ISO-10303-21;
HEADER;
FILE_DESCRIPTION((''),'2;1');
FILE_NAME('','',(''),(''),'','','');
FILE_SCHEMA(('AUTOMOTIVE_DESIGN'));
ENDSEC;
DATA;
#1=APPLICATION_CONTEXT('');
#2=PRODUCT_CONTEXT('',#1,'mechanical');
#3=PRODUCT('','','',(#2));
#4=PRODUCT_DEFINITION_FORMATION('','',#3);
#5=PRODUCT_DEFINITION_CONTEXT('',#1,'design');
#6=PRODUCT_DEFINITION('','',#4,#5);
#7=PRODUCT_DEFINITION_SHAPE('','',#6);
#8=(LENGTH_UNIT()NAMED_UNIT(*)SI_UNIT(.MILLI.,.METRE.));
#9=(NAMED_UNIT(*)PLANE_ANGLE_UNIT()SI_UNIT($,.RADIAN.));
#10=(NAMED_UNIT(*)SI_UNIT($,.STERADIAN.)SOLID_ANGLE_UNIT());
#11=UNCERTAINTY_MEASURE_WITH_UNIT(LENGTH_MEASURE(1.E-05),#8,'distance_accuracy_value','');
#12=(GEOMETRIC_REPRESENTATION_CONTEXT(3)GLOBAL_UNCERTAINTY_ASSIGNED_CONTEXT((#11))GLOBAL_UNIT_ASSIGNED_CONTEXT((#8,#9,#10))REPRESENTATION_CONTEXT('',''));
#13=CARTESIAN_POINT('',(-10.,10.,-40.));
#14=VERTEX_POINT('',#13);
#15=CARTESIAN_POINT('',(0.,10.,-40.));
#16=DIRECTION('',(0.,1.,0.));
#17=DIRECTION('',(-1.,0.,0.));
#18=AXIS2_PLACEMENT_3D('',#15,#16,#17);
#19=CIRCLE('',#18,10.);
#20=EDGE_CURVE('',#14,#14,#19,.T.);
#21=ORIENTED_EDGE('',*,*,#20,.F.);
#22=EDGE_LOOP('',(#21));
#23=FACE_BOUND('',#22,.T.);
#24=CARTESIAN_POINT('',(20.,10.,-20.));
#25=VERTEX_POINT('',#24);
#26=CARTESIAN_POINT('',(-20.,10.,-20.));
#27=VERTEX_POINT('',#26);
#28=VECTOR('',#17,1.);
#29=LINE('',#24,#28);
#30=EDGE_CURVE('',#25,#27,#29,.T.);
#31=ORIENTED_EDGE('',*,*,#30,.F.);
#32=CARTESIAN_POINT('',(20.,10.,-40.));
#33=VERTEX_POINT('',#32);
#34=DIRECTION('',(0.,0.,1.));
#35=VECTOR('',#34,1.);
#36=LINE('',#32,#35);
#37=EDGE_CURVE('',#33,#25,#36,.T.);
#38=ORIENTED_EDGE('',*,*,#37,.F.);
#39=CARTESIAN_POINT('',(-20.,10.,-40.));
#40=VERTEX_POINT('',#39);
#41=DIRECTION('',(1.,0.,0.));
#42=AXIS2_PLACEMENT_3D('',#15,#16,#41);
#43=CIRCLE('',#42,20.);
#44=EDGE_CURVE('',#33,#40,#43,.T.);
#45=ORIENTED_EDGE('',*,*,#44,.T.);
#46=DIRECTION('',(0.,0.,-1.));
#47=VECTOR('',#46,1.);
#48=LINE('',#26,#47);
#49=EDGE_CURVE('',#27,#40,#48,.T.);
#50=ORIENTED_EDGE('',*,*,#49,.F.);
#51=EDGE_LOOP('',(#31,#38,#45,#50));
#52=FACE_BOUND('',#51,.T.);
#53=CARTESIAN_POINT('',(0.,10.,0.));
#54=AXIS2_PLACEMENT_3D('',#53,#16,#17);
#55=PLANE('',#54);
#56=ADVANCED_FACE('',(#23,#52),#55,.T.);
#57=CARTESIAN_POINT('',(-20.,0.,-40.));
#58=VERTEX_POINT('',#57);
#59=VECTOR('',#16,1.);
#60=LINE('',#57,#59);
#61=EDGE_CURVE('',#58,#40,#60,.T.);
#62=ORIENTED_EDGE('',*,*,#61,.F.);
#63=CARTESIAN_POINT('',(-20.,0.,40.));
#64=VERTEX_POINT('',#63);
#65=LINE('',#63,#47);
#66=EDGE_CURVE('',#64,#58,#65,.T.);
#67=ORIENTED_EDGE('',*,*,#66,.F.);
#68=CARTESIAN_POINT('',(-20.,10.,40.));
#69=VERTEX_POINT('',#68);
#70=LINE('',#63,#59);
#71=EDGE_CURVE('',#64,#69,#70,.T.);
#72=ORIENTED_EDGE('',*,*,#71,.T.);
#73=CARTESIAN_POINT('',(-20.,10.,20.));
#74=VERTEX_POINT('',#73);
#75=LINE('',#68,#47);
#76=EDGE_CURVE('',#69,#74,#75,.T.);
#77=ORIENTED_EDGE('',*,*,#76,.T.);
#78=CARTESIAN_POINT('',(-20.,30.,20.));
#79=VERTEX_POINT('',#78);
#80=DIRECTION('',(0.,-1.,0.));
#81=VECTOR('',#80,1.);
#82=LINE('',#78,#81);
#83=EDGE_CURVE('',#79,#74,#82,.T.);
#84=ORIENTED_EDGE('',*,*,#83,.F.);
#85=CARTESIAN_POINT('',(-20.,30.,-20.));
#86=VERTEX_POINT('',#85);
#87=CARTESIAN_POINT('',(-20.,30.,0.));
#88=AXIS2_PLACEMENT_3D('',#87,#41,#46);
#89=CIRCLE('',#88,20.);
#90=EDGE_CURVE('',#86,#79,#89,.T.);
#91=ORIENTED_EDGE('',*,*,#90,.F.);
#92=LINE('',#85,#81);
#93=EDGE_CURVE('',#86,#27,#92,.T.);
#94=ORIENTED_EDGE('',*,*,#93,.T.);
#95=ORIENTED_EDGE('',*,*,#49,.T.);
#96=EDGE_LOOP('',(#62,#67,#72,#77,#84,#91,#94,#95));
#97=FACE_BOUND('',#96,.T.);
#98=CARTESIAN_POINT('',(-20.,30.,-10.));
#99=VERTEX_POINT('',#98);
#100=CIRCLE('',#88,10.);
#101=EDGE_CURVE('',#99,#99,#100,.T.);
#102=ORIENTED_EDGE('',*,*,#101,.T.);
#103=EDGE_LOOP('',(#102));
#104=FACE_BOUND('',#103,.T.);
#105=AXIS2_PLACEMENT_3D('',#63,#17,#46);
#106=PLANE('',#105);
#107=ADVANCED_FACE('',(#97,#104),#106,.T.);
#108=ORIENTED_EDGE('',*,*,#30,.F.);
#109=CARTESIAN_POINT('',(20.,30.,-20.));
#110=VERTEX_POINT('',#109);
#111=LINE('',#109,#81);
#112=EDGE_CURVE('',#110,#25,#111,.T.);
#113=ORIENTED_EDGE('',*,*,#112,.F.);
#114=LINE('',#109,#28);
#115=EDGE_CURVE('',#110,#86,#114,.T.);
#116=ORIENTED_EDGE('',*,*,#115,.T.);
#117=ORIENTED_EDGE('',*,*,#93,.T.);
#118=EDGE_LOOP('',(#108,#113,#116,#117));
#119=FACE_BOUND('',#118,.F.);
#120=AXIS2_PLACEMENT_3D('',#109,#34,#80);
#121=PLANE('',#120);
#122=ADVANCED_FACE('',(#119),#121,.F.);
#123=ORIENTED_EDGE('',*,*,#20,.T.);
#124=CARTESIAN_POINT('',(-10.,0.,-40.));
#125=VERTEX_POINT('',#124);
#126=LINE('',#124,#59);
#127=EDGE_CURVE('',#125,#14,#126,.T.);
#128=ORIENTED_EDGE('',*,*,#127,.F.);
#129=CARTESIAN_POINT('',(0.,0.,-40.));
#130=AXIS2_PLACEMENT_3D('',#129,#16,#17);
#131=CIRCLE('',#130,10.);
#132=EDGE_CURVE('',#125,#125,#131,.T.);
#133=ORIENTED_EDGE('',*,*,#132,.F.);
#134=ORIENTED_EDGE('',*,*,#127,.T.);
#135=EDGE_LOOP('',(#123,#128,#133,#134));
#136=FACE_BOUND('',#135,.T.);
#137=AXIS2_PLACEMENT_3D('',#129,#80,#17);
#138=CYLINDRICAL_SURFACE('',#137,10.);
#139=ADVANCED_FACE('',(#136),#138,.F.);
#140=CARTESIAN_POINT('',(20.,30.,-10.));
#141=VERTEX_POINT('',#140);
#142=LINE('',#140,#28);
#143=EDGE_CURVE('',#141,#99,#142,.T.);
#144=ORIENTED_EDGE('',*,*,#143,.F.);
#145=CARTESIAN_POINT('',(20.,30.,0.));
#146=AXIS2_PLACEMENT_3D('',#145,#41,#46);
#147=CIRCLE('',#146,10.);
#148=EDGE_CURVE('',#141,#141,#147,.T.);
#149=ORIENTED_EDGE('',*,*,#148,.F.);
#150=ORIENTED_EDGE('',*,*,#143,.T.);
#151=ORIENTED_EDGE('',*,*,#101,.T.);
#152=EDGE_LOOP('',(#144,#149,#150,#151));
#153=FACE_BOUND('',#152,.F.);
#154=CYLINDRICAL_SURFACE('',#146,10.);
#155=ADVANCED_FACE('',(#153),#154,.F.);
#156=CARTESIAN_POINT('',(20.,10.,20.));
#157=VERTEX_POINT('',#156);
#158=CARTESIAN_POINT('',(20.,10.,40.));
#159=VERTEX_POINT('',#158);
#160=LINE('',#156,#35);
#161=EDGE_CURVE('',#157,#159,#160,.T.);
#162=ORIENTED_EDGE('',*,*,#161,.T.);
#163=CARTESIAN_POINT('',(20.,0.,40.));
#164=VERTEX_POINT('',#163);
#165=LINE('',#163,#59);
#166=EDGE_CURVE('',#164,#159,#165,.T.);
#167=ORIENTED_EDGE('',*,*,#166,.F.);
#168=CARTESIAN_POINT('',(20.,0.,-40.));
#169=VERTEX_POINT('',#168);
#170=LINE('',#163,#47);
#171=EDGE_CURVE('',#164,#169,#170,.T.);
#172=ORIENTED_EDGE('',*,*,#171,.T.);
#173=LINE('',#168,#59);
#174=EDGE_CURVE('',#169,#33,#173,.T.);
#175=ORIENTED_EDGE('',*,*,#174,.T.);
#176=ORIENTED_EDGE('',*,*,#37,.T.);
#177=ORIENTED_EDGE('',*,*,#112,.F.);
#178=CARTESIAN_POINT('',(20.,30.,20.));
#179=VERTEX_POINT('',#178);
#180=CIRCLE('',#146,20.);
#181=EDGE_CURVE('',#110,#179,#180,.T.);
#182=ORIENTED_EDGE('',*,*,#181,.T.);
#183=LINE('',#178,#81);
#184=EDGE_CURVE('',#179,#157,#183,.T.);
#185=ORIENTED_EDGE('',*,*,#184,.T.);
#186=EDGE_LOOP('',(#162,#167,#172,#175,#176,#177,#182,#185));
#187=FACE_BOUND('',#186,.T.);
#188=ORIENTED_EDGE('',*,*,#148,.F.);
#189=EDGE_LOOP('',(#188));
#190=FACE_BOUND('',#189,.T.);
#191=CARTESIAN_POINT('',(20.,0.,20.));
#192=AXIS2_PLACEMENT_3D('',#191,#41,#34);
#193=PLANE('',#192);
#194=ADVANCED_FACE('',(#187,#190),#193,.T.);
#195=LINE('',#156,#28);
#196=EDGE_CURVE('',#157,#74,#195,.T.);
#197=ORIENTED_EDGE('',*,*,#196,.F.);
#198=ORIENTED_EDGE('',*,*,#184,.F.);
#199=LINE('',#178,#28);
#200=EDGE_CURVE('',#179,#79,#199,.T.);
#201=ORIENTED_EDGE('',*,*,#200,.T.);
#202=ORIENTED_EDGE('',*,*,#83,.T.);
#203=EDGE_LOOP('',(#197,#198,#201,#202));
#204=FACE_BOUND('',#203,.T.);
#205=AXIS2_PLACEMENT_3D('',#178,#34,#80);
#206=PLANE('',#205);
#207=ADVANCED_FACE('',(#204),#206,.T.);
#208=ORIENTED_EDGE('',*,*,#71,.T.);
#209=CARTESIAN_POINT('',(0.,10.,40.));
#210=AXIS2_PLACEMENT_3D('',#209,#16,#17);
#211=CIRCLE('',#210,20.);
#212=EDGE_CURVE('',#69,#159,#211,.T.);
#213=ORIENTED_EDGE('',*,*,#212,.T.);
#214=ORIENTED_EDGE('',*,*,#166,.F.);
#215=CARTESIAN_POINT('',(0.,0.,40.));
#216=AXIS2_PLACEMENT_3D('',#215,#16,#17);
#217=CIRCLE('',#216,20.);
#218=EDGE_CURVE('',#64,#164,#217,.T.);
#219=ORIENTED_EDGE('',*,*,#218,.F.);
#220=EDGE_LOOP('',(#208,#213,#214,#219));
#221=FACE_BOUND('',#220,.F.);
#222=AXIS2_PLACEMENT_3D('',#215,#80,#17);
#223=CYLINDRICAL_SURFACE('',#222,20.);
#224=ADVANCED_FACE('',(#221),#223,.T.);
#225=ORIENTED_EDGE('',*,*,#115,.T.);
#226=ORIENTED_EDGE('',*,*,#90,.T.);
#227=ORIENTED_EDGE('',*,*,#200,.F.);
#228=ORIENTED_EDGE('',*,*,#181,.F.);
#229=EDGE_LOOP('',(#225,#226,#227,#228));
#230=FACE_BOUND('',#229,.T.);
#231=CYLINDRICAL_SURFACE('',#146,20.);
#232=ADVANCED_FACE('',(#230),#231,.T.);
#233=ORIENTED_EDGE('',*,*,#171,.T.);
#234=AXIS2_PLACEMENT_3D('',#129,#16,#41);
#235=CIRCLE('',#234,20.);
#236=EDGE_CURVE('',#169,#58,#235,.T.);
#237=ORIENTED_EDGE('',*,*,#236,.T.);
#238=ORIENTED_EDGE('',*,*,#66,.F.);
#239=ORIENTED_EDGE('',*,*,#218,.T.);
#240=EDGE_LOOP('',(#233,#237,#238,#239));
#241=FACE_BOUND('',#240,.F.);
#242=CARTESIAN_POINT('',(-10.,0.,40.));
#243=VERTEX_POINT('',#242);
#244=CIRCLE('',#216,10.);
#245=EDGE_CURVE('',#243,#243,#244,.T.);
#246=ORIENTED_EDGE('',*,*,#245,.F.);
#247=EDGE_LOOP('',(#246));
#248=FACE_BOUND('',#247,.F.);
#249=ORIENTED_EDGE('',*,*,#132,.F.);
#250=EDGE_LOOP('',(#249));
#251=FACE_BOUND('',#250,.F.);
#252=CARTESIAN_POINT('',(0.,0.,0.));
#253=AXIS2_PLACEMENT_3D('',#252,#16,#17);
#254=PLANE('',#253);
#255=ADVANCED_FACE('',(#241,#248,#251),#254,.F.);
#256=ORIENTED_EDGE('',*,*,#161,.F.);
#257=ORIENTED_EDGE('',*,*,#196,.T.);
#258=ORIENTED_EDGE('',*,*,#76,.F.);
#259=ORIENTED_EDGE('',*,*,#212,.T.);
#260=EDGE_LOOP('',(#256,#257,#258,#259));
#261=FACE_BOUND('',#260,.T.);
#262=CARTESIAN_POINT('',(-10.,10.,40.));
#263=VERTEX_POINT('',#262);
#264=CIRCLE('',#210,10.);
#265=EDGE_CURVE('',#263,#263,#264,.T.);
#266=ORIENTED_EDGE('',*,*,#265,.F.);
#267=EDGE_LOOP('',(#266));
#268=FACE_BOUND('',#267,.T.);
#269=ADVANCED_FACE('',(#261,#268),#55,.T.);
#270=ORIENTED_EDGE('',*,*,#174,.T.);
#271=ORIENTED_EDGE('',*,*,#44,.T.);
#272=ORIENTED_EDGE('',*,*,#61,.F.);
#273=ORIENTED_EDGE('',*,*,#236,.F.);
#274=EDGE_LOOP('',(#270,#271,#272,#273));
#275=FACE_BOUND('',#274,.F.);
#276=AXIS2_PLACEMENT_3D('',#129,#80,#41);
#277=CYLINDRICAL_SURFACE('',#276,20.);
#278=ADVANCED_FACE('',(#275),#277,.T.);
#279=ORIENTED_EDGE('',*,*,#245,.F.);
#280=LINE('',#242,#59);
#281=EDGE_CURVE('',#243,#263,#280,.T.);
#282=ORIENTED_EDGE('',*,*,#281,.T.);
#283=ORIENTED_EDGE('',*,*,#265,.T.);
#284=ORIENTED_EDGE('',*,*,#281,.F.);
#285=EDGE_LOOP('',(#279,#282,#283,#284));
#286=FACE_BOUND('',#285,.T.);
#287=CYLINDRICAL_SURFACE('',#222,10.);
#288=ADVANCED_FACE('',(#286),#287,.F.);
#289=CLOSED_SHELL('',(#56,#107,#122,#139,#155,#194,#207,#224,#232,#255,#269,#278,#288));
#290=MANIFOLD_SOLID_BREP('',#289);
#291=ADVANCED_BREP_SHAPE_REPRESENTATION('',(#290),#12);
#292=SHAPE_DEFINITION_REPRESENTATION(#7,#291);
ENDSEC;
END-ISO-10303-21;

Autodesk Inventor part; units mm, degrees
ref_plane "YZ Plane" through (0, 0, 0) normal (1, 0, 0) x (0, 1, 0)
ref_plane "XZ Plane" through (0, 0, 0) normal (0, 1, 0) x (-1, 0, 0)
ref_plane "XY Plane" through (0, 0, 0) normal (0, 0, 1) x (1, 0, 0)
sketch "Sketch1" plane through (0, 0, 0) normal (0, 1, 0) x (-1, 0, 0)
  line L0 (-20, 20) -> (-20, -20)
  line L1 (20, -20) -> (20, 20)
  circle A0 centre (0, 40) radius 10
  circle A1 centre (0, -40) radius 10
  arc A2 (20, 40) -> (-20, 40) centre (0, 40) ccw
  arc A3 (-20, -40) -> (20, -40) centre (0, -40) ccw
  line L2 (20, 40) -> (20, 20)
  line L3 (20, -20) -> (20, -40)
  line L4 (-20, -40) -> (-20, -20)
  line L5 (-20, 20) -> (-20, 40)
  point P0 (0, 0)
extrude "Extrusion1" add sketch "Sketch1" along normal blind 10
sketch "Sketch2" plane through (20, 0, 40) normal (1, 0, 0) x (0, 0, -1)
  circle A0 centre (40, 30) radius 10
  arc A1 (60, 30) -> (20, 30) centre (40, 30) ccw
  line L0 (20, 30) -> (20, 10)
  line L1 (0, 10) -> (80, 10) projected
  line L2 (60, 30) -> (60, 10)
  point P0 (40, 0)
extrude "Extrusion2" add sketch "Sketch2" against normal blind 40
properties part number "tarea de practica dinamica"
